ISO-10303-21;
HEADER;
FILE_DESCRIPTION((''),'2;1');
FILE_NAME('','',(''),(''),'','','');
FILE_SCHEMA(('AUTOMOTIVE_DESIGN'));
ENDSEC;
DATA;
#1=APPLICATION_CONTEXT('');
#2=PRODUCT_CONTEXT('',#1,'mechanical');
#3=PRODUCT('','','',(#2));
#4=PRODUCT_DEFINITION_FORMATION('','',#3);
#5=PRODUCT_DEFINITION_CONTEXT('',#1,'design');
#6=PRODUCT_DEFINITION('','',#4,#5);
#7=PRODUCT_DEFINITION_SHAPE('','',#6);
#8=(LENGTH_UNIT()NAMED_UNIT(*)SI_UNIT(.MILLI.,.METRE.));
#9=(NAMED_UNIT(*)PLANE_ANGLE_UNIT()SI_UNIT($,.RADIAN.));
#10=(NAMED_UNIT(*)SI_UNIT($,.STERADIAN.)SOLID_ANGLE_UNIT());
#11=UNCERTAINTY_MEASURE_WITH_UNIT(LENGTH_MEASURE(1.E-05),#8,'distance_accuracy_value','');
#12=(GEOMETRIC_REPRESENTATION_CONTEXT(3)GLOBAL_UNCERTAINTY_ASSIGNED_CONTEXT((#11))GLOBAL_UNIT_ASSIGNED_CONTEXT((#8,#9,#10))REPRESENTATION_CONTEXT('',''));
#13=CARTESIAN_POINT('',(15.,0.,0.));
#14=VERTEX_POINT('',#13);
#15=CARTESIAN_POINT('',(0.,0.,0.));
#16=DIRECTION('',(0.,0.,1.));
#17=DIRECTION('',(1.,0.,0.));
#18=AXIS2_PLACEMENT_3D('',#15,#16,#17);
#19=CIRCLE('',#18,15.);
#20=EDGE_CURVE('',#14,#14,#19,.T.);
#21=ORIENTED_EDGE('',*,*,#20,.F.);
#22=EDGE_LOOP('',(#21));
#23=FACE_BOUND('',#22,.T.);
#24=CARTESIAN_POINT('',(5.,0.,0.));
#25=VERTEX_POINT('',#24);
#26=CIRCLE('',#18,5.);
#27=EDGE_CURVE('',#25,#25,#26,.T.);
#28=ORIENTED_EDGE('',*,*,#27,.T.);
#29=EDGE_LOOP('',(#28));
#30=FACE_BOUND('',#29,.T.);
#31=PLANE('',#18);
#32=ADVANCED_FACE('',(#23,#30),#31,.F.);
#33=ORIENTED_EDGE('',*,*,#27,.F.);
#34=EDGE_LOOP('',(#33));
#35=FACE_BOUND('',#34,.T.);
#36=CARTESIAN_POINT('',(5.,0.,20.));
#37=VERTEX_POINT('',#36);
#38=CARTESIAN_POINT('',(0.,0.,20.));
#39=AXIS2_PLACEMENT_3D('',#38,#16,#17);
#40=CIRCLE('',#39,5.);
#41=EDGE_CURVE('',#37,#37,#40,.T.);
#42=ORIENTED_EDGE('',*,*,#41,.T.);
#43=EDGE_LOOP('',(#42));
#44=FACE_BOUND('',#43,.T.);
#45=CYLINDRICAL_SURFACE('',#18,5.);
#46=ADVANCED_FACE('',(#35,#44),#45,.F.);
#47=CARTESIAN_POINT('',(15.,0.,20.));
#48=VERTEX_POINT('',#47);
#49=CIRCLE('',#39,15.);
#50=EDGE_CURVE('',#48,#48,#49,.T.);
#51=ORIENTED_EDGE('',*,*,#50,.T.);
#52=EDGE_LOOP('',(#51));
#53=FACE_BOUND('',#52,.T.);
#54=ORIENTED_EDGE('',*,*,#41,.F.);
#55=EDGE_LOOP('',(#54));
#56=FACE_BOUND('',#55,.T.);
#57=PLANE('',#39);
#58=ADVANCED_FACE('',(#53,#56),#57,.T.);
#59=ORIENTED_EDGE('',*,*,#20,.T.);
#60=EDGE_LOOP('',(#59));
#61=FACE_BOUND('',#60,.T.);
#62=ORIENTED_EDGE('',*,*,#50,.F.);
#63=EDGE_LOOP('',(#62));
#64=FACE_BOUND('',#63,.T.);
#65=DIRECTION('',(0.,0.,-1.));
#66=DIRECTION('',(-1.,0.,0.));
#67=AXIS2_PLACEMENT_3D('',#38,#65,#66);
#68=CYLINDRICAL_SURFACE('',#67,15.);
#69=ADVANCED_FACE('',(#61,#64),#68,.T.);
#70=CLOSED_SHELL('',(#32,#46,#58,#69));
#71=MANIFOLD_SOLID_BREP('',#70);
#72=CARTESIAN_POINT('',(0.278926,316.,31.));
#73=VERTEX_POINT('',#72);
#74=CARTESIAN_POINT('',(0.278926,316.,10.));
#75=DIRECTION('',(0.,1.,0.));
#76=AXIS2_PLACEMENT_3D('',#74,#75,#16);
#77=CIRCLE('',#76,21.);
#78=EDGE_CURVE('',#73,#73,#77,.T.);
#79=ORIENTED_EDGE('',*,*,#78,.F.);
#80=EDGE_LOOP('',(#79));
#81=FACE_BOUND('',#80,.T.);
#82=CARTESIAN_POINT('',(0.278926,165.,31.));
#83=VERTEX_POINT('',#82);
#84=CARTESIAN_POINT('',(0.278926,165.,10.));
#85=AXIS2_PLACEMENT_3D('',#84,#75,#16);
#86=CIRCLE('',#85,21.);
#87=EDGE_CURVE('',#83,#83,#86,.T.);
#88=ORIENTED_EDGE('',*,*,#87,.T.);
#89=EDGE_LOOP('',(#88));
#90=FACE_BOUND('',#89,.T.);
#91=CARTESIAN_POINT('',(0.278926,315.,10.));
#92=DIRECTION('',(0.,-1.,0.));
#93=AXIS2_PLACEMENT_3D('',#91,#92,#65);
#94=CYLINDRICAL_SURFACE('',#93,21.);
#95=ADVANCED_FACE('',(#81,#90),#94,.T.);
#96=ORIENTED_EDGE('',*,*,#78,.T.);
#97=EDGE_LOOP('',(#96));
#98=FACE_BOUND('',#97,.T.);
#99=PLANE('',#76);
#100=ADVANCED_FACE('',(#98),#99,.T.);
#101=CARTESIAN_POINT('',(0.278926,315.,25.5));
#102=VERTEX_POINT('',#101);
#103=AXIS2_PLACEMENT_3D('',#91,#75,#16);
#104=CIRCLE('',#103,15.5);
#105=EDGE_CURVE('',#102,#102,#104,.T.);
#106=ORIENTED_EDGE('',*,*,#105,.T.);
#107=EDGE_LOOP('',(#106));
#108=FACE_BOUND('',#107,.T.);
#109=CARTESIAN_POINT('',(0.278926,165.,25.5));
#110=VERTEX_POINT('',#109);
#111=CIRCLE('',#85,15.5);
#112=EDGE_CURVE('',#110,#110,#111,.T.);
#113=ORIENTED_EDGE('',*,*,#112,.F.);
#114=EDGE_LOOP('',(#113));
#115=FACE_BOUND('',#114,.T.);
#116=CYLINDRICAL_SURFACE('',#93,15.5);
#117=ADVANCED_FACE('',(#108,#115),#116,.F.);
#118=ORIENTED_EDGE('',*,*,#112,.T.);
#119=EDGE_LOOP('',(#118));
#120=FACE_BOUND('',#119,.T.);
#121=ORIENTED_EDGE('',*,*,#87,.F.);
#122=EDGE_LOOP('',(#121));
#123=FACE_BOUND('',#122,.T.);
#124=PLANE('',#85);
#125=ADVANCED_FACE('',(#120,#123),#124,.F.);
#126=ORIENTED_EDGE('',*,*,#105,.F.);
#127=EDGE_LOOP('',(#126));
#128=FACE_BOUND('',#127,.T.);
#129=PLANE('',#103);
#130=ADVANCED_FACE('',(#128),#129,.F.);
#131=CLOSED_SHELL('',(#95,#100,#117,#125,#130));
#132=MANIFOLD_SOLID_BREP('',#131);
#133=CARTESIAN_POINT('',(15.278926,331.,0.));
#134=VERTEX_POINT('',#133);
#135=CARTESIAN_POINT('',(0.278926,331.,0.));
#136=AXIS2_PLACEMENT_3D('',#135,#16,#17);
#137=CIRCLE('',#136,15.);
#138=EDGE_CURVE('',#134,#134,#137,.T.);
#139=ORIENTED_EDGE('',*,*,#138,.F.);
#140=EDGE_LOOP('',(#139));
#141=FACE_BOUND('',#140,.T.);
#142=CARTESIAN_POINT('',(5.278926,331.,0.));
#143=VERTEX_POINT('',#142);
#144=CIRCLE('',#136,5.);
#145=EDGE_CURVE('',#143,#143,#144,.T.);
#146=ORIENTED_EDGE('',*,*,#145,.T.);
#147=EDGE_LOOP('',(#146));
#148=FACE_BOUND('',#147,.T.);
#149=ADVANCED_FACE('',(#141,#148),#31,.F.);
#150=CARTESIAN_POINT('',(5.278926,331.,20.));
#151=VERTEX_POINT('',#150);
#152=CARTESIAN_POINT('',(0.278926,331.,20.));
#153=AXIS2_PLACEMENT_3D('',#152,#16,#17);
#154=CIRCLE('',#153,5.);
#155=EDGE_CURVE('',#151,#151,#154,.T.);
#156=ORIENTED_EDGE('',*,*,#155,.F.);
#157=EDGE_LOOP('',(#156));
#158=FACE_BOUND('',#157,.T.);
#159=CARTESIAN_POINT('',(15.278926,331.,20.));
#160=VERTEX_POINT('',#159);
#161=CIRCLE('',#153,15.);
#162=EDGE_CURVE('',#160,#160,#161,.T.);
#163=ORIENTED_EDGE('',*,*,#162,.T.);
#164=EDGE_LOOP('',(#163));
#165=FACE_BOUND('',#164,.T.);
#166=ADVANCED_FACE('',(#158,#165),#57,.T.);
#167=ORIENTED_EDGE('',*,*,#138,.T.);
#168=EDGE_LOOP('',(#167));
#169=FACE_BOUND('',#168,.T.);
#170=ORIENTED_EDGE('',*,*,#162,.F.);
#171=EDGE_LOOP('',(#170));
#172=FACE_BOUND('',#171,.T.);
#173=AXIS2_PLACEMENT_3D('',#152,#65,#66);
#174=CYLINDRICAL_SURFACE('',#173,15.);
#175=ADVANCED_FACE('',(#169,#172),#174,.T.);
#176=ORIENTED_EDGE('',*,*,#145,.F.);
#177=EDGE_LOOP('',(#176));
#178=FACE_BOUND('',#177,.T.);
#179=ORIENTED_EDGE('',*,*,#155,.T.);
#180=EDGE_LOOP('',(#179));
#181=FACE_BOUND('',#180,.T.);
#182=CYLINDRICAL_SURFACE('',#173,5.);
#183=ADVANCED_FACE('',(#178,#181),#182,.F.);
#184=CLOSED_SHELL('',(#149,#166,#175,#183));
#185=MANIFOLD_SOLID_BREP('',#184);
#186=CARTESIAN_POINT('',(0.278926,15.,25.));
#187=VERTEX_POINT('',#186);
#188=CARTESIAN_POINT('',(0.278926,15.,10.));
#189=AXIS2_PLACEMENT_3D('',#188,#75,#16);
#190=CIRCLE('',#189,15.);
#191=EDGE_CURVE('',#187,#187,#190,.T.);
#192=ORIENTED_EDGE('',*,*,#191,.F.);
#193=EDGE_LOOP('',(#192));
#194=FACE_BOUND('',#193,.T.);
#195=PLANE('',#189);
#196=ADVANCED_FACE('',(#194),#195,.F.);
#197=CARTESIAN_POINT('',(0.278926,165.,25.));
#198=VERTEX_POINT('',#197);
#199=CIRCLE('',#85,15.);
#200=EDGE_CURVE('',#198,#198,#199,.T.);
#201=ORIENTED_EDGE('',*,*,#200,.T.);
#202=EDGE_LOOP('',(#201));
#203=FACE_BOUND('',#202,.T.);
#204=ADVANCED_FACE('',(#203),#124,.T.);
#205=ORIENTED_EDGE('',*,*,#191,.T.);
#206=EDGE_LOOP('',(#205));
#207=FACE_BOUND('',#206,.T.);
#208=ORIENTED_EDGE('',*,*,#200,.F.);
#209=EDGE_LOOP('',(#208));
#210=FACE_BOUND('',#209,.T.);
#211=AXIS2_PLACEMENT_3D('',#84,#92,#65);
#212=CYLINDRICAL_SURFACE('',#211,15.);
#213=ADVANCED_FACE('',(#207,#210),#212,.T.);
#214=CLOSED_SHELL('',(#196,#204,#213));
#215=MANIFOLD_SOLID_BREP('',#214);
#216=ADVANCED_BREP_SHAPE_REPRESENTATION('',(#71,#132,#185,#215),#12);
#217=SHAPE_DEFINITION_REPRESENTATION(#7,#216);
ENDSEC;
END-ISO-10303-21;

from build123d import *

# Parameters (mm, degrees)
SZKIC1_R                    = 15
DODANIE_WYCI_GNI_CIE1_DEPTH = 20
SZKIC2_R                    = 5
WYTNIJ_WYCI_GNI_CIE1_DEPTH  = 20
SZKIC3_R                    = 15
DODANIE_WYCI_GNI_CIE2_DEPTH = 150
SZKIC4_R                    = 21
SZKIC4_R_2                  = 15.5
DODANIE_WYCI_GNI_CIE3_DEPTH = 150
SZKIC6_R                    = 21
DODANIE_WYCI_GNI_CIE4_DEPTH = 1
SZKIC7_R                    = 15
SZKIC7_R_2                  = 5
DODANIE_WYCI_GNI_CIE5_DEPTH = 20


with BuildPart() as part:
    # Szkic1 → Dodanie-wyciągnięcie1 (new body)
    with BuildSketch(Plane.XY):
        Circle(SZKIC1_R)
    extrude(amount=DODANIE_WYCI_GNI_CIE1_DEPTH)

    # Szkic2 → Wytnij-wyciągnięcie1 (cut)
    with BuildSketch(Plane.XY.offset(20)):
        Circle(SZKIC2_R)
    extrude(amount=-WYTNIJ_WYCI_GNI_CIE1_DEPTH, mode=Mode.SUBTRACT)


with BuildPart() as body_2:
    # Szkic3 → Dodanie-wyciągnięcie2 (new body)
    with BuildSketch(Plane(origin=(0, 15, 0), x_dir=(1, 0, 0), z_dir=(0, 1, 0))):
        with Locations(Location((0.27892553, -10, 0), (0, 0, 270))):
            Circle(SZKIC3_R)
    extrude(amount=DODANIE_WYCI_GNI_CIE2_DEPTH)


with BuildPart() as body_3:
    # Szkic4 → Dodanie-wyciągnięcie3 (new body)
    with BuildSketch(Plane(origin=(0, 165, 0), x_dir=(1, 0, 0), z_dir=(0, 1, 0))):
        with Locations(Location((0.27892553, -10, 0), (0, 0, 270))):
            Circle(SZKIC4_R)
        with Locations(Location((0.27892553, -10, 0), (0, 0, 270))):
            Circle(SZKIC4_R_2, mode=Mode.SUBTRACT)
    extrude(amount=DODANIE_WYCI_GNI_CIE3_DEPTH)

    # Szkic6 → Dodanie-wyciągnięcie4 (add)
    with BuildSketch(Plane(origin=(0, 315, 0), x_dir=(1, 0, 0), z_dir=(0, 1, 0))):
        with Locations(Location((0.27892553, -10, 0), (0, 0, 270))):
            Circle(SZKIC6_R)
    extrude(amount=DODANIE_WYCI_GNI_CIE4_DEPTH)


with BuildPart() as body_4:
    # Szkic7 → Dodanie-wyciągnięcie5 (new body)
    with BuildSketch(Plane.XY):
        with Locations((0.27892553, 331)):
            Circle(SZKIC7_R)
        with Locations((0.27892553, 331)):
            Circle(SZKIC7_R_2, mode=Mode.SUBTRACT)
    extrude(amount=DODANIE_WYCI_GNI_CIE5_DEPTH)


solid = Compound([part.part, body_2.part, body_3.part, body_4.part])
